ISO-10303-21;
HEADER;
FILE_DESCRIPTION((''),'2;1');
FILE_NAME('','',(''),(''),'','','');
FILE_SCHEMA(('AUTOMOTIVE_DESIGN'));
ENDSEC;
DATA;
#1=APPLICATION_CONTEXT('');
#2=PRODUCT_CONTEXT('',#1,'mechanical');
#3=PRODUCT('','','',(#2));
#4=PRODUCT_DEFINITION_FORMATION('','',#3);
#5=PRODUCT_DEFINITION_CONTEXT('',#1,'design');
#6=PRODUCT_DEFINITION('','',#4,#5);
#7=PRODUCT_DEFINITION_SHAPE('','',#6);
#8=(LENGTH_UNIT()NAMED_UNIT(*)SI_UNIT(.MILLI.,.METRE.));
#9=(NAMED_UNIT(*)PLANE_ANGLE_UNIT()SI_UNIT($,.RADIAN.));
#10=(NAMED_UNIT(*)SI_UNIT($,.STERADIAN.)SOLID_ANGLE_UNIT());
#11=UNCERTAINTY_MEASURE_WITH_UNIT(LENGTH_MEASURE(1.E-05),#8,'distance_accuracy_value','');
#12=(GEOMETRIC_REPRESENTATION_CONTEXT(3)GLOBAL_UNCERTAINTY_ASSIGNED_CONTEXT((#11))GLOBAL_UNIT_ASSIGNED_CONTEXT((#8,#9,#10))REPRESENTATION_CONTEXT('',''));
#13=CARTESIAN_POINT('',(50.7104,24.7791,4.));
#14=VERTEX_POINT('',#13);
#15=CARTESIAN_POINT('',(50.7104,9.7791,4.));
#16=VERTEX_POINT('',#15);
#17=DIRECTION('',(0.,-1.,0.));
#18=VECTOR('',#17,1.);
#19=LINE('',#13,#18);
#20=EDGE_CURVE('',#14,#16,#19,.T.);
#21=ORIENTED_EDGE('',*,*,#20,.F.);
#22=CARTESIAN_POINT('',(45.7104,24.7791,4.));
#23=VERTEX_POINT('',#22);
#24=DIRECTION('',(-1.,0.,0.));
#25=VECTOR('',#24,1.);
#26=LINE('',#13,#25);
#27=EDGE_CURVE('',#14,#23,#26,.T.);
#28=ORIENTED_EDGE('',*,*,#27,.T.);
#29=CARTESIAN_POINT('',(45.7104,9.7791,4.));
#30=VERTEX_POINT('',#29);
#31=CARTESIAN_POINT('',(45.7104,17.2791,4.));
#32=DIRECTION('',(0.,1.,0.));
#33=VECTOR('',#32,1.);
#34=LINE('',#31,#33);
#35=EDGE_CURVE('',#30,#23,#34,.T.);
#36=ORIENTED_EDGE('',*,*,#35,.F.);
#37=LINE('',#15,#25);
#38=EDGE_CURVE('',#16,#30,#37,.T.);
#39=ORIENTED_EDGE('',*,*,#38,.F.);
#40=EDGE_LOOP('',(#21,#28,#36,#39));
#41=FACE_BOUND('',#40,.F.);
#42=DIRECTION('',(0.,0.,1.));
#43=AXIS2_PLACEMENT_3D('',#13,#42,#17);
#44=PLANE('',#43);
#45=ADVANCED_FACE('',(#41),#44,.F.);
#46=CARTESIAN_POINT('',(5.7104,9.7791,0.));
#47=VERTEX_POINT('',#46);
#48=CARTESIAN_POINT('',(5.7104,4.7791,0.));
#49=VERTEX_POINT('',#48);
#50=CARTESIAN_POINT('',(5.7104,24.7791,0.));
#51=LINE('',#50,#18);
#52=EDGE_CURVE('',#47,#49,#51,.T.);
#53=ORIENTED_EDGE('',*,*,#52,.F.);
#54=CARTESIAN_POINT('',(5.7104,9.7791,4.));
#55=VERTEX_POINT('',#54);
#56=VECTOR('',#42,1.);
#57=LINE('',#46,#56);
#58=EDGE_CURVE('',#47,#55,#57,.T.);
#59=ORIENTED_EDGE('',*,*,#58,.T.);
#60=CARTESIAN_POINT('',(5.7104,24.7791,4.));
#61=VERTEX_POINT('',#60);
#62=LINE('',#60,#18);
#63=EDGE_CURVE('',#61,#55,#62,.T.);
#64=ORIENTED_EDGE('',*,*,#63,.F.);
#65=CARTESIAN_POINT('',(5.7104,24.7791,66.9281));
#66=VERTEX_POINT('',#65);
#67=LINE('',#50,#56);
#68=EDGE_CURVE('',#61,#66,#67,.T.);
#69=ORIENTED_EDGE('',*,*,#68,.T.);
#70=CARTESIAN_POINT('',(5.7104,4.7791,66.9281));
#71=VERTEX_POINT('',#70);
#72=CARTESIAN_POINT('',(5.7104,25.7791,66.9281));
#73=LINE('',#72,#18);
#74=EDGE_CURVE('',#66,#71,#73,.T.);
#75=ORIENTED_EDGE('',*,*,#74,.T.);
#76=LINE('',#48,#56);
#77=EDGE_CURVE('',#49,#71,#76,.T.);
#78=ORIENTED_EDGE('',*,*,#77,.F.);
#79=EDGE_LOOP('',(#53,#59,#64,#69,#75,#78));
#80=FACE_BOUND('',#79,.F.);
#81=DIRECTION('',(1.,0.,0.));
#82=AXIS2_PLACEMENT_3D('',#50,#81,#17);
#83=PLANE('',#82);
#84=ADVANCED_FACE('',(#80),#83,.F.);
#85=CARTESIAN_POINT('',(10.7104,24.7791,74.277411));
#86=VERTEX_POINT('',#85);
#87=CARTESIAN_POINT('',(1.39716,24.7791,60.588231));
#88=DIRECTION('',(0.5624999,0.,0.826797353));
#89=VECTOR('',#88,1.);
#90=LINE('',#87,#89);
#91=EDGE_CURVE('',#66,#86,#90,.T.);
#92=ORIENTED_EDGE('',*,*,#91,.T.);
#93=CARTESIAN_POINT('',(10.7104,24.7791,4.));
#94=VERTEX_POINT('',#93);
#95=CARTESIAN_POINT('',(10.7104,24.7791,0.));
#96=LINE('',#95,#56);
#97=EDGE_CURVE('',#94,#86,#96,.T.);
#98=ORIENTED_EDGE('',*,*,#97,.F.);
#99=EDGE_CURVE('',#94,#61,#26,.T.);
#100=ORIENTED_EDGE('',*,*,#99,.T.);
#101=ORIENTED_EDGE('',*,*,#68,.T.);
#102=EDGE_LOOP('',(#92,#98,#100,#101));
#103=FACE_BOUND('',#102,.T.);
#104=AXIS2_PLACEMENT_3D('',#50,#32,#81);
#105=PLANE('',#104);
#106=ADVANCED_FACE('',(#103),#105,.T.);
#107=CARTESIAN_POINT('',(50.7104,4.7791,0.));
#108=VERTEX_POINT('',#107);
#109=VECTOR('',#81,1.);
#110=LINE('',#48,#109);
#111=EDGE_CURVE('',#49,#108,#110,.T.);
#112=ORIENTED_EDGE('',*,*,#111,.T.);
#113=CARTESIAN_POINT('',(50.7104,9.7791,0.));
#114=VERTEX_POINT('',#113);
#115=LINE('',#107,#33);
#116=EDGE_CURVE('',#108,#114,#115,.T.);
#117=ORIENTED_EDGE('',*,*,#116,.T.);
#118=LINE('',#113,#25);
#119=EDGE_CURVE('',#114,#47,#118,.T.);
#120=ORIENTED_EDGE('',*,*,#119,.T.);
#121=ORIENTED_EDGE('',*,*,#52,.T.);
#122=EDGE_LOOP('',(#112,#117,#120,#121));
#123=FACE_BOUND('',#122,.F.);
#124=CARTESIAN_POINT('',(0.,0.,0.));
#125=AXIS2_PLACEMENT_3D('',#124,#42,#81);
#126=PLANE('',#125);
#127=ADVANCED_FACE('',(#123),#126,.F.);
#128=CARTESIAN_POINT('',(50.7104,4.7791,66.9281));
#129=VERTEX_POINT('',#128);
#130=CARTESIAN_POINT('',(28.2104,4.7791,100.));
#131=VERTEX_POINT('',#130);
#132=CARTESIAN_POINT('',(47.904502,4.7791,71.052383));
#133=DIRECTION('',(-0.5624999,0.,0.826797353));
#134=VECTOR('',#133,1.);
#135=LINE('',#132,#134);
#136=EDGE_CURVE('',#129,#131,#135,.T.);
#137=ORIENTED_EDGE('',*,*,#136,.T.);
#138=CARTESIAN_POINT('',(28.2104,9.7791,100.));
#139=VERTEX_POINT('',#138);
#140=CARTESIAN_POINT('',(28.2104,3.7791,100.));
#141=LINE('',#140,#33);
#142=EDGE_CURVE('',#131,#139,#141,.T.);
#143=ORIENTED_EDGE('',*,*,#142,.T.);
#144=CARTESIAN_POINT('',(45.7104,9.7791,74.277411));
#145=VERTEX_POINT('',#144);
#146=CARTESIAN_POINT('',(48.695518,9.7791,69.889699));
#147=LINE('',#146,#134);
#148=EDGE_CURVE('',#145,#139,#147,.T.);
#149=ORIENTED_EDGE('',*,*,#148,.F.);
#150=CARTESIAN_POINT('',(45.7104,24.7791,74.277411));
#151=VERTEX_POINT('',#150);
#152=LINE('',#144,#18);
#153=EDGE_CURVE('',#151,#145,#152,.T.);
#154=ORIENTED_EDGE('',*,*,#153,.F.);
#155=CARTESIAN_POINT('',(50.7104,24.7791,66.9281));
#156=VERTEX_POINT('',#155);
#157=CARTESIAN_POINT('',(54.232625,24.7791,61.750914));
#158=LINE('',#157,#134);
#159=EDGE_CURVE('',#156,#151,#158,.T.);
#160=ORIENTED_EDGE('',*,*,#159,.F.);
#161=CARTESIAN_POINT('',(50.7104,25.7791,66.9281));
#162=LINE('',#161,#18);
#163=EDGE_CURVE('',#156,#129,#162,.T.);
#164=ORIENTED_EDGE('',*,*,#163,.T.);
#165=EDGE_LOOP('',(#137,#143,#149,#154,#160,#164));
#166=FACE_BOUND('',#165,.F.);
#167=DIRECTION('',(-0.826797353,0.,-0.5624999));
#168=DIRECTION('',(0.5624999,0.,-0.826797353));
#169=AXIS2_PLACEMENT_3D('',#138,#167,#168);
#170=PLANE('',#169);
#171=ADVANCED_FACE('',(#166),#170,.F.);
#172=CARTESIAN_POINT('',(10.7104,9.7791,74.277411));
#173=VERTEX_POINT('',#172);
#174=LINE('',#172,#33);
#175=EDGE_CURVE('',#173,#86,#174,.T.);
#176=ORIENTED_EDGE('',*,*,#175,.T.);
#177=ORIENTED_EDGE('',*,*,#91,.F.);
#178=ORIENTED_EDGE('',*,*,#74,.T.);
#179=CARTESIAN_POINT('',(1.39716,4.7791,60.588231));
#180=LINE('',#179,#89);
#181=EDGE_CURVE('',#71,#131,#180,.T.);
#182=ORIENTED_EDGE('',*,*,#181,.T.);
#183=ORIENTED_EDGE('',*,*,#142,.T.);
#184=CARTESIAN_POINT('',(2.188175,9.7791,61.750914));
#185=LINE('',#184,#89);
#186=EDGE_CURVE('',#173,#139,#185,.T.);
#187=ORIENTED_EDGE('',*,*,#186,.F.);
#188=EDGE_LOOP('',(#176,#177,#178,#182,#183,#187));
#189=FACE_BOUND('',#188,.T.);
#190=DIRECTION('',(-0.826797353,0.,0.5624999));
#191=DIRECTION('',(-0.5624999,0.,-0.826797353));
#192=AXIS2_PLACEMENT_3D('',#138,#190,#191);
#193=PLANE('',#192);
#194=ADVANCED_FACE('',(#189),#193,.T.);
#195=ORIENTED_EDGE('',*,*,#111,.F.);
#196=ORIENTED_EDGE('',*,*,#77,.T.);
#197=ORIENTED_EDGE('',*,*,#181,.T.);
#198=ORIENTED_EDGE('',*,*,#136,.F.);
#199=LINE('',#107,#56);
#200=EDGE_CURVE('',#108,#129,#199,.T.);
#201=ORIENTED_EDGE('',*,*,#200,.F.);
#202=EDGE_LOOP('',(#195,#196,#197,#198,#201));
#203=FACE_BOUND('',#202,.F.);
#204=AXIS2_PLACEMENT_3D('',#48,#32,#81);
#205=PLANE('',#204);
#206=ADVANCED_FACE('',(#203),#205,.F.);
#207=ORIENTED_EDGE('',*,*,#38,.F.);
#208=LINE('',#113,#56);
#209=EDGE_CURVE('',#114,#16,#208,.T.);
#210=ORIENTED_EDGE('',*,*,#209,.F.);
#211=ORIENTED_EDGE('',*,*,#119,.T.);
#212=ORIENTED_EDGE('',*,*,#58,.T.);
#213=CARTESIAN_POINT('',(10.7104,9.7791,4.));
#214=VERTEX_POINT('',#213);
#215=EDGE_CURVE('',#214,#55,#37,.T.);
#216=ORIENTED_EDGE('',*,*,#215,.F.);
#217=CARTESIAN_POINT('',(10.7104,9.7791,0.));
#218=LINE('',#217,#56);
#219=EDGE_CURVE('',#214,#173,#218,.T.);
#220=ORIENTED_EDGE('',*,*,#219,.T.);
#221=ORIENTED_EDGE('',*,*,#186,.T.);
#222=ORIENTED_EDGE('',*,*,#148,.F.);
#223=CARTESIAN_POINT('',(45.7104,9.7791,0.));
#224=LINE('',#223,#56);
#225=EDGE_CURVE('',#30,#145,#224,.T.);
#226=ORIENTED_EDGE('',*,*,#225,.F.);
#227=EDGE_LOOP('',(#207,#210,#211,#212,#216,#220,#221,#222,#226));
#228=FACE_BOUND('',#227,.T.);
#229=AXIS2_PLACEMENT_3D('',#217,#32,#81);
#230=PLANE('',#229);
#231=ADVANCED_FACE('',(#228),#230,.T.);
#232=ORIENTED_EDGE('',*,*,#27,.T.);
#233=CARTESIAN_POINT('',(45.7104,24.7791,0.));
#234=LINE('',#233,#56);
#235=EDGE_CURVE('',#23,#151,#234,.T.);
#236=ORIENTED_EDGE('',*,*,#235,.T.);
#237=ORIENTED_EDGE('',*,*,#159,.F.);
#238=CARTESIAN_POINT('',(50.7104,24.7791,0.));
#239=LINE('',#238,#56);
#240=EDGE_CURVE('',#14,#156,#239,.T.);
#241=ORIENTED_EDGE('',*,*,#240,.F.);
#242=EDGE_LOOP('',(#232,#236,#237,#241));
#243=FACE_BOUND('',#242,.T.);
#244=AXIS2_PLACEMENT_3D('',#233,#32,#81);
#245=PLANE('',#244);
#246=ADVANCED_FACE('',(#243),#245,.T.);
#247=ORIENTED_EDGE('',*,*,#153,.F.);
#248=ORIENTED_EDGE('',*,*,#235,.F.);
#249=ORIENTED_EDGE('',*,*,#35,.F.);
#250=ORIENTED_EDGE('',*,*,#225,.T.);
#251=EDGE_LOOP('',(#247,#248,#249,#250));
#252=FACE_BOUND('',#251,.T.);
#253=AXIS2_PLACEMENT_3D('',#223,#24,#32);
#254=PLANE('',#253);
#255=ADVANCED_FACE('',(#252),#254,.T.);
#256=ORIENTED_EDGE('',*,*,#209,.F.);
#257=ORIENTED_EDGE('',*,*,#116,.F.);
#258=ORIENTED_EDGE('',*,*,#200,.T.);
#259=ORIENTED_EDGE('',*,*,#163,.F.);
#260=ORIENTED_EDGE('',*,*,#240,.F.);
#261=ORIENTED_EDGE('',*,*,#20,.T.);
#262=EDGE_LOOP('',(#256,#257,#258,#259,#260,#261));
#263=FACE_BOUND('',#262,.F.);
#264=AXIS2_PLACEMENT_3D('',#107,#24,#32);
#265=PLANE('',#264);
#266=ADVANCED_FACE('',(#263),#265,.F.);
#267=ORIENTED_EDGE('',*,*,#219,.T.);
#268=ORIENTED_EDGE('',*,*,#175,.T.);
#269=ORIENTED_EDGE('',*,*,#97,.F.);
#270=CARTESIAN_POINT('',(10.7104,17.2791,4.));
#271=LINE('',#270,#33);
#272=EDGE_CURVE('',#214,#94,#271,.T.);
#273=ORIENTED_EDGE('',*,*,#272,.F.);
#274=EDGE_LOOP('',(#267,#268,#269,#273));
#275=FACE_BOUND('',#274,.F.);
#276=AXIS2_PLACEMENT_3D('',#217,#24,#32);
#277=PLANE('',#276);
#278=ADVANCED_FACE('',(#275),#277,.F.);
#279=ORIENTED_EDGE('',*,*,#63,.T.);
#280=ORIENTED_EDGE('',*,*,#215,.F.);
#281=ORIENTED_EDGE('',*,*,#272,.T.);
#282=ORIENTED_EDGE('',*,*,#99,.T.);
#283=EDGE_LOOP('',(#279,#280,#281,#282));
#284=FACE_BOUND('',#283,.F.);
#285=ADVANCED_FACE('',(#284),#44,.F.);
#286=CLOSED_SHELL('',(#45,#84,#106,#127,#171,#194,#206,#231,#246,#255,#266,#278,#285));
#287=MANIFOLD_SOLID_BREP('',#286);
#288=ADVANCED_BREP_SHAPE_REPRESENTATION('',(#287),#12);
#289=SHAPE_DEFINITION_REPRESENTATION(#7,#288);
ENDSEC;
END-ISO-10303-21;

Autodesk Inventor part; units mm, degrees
ref_plane "YZ Plane" through (0, 0, 0) normal (1, 0, 0) x (0, 1, 0)
ref_plane "XZ Plane" through (0, 0, 0) normal (0, 1, 0) x (-1, 0, 0)
ref_plane "XY Plane" through (0, 0, 0) normal (0, 0, 1) x (1, 0, 0)
sketch "Sketch1" plane through (0, 0, 0) normal (0, 0, 1) x (1, 0, 0)
  line L0 (10.7104, 9.7791) -> (45.7104, 9.7791)
  line L1 (45.7104, 9.7791) -> (45.7104, 24.7791)
  line L2 (10.7104, 9.7791) -> (10.7104, 24.7791)
  line L3 (5.7104, 24.7791) -> (5.7104, 4.7791)
  line L4 (5.7104, 4.7791) -> (50.7104, 4.7791)
  line L5 (50.7104, 4.7791) -> (50.7104, 24.7791)
  line L6 (5.7104, 24.7791) -> (10.7104, 24.7791)
  line L7 (45.7104, 24.7791) -> (50.7104, 24.7791)
  point P0 (0, 0)
  point P1 (28.2104, 9.7791)
  dimension "d0" = 35
  dimension "d1" = 15
  dimension "d2" = 15
  dimension "d29" = 5
extrude "Extrusion1" add sketch "Sketch1" along normal blind 100
sketch "Sketch3" plane through (10.7104, 9.7791, 0) normal (0, 1, 0) x (1, 0, 0)
  line L0 (-5, -100) -> (40, -100) projected
  line L1 (-5, 0) -> (-5, -100) projected
  line L2 (17.5, -100) -> (37.1919, -100) construction
  line L3 (-5, -85.7353) -> (-5, -100)
  line L4 (-5, -100) -> (17.5, -100)
  line L5 (40, 0) -> (40, -100) projected
  line L6 (17.5, -100) -> (37.1919, -100) construction
  line L7 (40, -85.7353) -> (40, -100)
  line L8 (40, -100) -> (17.5, -100)
  line L9 (40, 0) -> (40, -100) projected
  line L10 (17.5, -100) -> (-5, -66.9281)
  line L11 (17.5, -100) -> (40, -66.9281)
  point P0 (-10.7104, 0)
  point P1 (-5, -77.7514)
  point P2 (40, -66.9281)
  dimension "d20" = 40
  dimension "d23" = 40
  dimension "d27" = 55.771
  dimension "d28" = 68.458
extrude "Extrusion5" cut sketch "Sketch3" along normal through all both and the other way through all
sketch "Sketch4" plane through (50.7104, 4.7791, 0) normal (1, 0, 0) x (0, 0, -1)
  line L0 (0, 20) -> (-74.2774, 20) projected
  line L1 (0, 20) -> (-4, 20)
  line L2 (-4, 20) -> (-4, 5)
  line L3 (0, 5) -> (-74.2774, 5) projected
  line L4 (0, 20) -> (0, 5) projected
  line L5 (0, 5) -> (0, 20)
  line L6 (0, 20) -> (0, 5)
  line L7 (-4, 5) -> (0, 5)
  point P0 (0, -4.7791)
  dimension "d24" = 4
extrude "Extrusion6" cut sketch "Sketch4" against normal through all
equation "\"d23\" = d20"
equation "\"BendRadius\" = Thickness"
equation "\"BendReliefWidth\" = Thickness"
equation "\"BendReliefDepth\" = 0.5 * Thickness"
equation "\"CornerReliefSize\" = 4 * Thickness"
equation "\"MinimumRemnant\" = 2 * Thickness"
equation "\"TransitionRadius\" = BendRadius"
equation "\"JacobiRadiusSize\" = BendRadius"
equation "\"GapSize\" = Thickness"
equation "\"Thickness\" = 0.5"
properties part number "middleslide"
